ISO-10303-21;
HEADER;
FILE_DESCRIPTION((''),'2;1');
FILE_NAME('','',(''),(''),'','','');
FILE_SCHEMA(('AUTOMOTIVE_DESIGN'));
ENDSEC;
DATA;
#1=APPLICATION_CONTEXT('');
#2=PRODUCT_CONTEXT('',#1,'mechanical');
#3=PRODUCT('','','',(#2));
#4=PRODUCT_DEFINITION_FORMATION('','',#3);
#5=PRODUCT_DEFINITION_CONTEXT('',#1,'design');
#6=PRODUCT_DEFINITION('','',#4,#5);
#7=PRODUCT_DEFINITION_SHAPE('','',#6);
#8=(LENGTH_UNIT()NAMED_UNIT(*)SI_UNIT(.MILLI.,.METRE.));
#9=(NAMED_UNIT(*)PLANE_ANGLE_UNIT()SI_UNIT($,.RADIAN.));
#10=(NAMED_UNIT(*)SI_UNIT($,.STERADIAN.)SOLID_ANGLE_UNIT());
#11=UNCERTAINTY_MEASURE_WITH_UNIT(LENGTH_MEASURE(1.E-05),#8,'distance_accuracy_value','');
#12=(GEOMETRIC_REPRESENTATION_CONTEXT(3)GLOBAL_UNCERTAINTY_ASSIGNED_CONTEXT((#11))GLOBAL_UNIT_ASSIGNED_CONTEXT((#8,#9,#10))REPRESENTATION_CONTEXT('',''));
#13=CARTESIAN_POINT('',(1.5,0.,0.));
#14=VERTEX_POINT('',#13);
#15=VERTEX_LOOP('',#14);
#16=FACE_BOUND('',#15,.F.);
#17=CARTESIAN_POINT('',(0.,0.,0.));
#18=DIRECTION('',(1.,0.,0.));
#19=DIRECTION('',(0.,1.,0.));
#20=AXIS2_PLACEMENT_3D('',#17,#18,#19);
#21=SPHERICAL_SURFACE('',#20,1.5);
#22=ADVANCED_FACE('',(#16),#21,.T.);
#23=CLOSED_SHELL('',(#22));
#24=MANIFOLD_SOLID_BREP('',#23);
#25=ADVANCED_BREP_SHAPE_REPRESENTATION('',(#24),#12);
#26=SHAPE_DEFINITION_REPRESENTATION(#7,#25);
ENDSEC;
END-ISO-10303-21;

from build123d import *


with BuildPart() as part:
    # Çizim1 → Döndür1 (revolve)
    with BuildSketch(Plane.XY):
        with BuildLine():
            Line((1.5, 0), (-1.5, 0))
            ThreePointArc((-1.5, 0), (0, 1.5), (1.5, 0))
        make_face()
    revolve(axis=Axis((1.5, 0, 0), (-1, 0, 0)))


solid = part.part
